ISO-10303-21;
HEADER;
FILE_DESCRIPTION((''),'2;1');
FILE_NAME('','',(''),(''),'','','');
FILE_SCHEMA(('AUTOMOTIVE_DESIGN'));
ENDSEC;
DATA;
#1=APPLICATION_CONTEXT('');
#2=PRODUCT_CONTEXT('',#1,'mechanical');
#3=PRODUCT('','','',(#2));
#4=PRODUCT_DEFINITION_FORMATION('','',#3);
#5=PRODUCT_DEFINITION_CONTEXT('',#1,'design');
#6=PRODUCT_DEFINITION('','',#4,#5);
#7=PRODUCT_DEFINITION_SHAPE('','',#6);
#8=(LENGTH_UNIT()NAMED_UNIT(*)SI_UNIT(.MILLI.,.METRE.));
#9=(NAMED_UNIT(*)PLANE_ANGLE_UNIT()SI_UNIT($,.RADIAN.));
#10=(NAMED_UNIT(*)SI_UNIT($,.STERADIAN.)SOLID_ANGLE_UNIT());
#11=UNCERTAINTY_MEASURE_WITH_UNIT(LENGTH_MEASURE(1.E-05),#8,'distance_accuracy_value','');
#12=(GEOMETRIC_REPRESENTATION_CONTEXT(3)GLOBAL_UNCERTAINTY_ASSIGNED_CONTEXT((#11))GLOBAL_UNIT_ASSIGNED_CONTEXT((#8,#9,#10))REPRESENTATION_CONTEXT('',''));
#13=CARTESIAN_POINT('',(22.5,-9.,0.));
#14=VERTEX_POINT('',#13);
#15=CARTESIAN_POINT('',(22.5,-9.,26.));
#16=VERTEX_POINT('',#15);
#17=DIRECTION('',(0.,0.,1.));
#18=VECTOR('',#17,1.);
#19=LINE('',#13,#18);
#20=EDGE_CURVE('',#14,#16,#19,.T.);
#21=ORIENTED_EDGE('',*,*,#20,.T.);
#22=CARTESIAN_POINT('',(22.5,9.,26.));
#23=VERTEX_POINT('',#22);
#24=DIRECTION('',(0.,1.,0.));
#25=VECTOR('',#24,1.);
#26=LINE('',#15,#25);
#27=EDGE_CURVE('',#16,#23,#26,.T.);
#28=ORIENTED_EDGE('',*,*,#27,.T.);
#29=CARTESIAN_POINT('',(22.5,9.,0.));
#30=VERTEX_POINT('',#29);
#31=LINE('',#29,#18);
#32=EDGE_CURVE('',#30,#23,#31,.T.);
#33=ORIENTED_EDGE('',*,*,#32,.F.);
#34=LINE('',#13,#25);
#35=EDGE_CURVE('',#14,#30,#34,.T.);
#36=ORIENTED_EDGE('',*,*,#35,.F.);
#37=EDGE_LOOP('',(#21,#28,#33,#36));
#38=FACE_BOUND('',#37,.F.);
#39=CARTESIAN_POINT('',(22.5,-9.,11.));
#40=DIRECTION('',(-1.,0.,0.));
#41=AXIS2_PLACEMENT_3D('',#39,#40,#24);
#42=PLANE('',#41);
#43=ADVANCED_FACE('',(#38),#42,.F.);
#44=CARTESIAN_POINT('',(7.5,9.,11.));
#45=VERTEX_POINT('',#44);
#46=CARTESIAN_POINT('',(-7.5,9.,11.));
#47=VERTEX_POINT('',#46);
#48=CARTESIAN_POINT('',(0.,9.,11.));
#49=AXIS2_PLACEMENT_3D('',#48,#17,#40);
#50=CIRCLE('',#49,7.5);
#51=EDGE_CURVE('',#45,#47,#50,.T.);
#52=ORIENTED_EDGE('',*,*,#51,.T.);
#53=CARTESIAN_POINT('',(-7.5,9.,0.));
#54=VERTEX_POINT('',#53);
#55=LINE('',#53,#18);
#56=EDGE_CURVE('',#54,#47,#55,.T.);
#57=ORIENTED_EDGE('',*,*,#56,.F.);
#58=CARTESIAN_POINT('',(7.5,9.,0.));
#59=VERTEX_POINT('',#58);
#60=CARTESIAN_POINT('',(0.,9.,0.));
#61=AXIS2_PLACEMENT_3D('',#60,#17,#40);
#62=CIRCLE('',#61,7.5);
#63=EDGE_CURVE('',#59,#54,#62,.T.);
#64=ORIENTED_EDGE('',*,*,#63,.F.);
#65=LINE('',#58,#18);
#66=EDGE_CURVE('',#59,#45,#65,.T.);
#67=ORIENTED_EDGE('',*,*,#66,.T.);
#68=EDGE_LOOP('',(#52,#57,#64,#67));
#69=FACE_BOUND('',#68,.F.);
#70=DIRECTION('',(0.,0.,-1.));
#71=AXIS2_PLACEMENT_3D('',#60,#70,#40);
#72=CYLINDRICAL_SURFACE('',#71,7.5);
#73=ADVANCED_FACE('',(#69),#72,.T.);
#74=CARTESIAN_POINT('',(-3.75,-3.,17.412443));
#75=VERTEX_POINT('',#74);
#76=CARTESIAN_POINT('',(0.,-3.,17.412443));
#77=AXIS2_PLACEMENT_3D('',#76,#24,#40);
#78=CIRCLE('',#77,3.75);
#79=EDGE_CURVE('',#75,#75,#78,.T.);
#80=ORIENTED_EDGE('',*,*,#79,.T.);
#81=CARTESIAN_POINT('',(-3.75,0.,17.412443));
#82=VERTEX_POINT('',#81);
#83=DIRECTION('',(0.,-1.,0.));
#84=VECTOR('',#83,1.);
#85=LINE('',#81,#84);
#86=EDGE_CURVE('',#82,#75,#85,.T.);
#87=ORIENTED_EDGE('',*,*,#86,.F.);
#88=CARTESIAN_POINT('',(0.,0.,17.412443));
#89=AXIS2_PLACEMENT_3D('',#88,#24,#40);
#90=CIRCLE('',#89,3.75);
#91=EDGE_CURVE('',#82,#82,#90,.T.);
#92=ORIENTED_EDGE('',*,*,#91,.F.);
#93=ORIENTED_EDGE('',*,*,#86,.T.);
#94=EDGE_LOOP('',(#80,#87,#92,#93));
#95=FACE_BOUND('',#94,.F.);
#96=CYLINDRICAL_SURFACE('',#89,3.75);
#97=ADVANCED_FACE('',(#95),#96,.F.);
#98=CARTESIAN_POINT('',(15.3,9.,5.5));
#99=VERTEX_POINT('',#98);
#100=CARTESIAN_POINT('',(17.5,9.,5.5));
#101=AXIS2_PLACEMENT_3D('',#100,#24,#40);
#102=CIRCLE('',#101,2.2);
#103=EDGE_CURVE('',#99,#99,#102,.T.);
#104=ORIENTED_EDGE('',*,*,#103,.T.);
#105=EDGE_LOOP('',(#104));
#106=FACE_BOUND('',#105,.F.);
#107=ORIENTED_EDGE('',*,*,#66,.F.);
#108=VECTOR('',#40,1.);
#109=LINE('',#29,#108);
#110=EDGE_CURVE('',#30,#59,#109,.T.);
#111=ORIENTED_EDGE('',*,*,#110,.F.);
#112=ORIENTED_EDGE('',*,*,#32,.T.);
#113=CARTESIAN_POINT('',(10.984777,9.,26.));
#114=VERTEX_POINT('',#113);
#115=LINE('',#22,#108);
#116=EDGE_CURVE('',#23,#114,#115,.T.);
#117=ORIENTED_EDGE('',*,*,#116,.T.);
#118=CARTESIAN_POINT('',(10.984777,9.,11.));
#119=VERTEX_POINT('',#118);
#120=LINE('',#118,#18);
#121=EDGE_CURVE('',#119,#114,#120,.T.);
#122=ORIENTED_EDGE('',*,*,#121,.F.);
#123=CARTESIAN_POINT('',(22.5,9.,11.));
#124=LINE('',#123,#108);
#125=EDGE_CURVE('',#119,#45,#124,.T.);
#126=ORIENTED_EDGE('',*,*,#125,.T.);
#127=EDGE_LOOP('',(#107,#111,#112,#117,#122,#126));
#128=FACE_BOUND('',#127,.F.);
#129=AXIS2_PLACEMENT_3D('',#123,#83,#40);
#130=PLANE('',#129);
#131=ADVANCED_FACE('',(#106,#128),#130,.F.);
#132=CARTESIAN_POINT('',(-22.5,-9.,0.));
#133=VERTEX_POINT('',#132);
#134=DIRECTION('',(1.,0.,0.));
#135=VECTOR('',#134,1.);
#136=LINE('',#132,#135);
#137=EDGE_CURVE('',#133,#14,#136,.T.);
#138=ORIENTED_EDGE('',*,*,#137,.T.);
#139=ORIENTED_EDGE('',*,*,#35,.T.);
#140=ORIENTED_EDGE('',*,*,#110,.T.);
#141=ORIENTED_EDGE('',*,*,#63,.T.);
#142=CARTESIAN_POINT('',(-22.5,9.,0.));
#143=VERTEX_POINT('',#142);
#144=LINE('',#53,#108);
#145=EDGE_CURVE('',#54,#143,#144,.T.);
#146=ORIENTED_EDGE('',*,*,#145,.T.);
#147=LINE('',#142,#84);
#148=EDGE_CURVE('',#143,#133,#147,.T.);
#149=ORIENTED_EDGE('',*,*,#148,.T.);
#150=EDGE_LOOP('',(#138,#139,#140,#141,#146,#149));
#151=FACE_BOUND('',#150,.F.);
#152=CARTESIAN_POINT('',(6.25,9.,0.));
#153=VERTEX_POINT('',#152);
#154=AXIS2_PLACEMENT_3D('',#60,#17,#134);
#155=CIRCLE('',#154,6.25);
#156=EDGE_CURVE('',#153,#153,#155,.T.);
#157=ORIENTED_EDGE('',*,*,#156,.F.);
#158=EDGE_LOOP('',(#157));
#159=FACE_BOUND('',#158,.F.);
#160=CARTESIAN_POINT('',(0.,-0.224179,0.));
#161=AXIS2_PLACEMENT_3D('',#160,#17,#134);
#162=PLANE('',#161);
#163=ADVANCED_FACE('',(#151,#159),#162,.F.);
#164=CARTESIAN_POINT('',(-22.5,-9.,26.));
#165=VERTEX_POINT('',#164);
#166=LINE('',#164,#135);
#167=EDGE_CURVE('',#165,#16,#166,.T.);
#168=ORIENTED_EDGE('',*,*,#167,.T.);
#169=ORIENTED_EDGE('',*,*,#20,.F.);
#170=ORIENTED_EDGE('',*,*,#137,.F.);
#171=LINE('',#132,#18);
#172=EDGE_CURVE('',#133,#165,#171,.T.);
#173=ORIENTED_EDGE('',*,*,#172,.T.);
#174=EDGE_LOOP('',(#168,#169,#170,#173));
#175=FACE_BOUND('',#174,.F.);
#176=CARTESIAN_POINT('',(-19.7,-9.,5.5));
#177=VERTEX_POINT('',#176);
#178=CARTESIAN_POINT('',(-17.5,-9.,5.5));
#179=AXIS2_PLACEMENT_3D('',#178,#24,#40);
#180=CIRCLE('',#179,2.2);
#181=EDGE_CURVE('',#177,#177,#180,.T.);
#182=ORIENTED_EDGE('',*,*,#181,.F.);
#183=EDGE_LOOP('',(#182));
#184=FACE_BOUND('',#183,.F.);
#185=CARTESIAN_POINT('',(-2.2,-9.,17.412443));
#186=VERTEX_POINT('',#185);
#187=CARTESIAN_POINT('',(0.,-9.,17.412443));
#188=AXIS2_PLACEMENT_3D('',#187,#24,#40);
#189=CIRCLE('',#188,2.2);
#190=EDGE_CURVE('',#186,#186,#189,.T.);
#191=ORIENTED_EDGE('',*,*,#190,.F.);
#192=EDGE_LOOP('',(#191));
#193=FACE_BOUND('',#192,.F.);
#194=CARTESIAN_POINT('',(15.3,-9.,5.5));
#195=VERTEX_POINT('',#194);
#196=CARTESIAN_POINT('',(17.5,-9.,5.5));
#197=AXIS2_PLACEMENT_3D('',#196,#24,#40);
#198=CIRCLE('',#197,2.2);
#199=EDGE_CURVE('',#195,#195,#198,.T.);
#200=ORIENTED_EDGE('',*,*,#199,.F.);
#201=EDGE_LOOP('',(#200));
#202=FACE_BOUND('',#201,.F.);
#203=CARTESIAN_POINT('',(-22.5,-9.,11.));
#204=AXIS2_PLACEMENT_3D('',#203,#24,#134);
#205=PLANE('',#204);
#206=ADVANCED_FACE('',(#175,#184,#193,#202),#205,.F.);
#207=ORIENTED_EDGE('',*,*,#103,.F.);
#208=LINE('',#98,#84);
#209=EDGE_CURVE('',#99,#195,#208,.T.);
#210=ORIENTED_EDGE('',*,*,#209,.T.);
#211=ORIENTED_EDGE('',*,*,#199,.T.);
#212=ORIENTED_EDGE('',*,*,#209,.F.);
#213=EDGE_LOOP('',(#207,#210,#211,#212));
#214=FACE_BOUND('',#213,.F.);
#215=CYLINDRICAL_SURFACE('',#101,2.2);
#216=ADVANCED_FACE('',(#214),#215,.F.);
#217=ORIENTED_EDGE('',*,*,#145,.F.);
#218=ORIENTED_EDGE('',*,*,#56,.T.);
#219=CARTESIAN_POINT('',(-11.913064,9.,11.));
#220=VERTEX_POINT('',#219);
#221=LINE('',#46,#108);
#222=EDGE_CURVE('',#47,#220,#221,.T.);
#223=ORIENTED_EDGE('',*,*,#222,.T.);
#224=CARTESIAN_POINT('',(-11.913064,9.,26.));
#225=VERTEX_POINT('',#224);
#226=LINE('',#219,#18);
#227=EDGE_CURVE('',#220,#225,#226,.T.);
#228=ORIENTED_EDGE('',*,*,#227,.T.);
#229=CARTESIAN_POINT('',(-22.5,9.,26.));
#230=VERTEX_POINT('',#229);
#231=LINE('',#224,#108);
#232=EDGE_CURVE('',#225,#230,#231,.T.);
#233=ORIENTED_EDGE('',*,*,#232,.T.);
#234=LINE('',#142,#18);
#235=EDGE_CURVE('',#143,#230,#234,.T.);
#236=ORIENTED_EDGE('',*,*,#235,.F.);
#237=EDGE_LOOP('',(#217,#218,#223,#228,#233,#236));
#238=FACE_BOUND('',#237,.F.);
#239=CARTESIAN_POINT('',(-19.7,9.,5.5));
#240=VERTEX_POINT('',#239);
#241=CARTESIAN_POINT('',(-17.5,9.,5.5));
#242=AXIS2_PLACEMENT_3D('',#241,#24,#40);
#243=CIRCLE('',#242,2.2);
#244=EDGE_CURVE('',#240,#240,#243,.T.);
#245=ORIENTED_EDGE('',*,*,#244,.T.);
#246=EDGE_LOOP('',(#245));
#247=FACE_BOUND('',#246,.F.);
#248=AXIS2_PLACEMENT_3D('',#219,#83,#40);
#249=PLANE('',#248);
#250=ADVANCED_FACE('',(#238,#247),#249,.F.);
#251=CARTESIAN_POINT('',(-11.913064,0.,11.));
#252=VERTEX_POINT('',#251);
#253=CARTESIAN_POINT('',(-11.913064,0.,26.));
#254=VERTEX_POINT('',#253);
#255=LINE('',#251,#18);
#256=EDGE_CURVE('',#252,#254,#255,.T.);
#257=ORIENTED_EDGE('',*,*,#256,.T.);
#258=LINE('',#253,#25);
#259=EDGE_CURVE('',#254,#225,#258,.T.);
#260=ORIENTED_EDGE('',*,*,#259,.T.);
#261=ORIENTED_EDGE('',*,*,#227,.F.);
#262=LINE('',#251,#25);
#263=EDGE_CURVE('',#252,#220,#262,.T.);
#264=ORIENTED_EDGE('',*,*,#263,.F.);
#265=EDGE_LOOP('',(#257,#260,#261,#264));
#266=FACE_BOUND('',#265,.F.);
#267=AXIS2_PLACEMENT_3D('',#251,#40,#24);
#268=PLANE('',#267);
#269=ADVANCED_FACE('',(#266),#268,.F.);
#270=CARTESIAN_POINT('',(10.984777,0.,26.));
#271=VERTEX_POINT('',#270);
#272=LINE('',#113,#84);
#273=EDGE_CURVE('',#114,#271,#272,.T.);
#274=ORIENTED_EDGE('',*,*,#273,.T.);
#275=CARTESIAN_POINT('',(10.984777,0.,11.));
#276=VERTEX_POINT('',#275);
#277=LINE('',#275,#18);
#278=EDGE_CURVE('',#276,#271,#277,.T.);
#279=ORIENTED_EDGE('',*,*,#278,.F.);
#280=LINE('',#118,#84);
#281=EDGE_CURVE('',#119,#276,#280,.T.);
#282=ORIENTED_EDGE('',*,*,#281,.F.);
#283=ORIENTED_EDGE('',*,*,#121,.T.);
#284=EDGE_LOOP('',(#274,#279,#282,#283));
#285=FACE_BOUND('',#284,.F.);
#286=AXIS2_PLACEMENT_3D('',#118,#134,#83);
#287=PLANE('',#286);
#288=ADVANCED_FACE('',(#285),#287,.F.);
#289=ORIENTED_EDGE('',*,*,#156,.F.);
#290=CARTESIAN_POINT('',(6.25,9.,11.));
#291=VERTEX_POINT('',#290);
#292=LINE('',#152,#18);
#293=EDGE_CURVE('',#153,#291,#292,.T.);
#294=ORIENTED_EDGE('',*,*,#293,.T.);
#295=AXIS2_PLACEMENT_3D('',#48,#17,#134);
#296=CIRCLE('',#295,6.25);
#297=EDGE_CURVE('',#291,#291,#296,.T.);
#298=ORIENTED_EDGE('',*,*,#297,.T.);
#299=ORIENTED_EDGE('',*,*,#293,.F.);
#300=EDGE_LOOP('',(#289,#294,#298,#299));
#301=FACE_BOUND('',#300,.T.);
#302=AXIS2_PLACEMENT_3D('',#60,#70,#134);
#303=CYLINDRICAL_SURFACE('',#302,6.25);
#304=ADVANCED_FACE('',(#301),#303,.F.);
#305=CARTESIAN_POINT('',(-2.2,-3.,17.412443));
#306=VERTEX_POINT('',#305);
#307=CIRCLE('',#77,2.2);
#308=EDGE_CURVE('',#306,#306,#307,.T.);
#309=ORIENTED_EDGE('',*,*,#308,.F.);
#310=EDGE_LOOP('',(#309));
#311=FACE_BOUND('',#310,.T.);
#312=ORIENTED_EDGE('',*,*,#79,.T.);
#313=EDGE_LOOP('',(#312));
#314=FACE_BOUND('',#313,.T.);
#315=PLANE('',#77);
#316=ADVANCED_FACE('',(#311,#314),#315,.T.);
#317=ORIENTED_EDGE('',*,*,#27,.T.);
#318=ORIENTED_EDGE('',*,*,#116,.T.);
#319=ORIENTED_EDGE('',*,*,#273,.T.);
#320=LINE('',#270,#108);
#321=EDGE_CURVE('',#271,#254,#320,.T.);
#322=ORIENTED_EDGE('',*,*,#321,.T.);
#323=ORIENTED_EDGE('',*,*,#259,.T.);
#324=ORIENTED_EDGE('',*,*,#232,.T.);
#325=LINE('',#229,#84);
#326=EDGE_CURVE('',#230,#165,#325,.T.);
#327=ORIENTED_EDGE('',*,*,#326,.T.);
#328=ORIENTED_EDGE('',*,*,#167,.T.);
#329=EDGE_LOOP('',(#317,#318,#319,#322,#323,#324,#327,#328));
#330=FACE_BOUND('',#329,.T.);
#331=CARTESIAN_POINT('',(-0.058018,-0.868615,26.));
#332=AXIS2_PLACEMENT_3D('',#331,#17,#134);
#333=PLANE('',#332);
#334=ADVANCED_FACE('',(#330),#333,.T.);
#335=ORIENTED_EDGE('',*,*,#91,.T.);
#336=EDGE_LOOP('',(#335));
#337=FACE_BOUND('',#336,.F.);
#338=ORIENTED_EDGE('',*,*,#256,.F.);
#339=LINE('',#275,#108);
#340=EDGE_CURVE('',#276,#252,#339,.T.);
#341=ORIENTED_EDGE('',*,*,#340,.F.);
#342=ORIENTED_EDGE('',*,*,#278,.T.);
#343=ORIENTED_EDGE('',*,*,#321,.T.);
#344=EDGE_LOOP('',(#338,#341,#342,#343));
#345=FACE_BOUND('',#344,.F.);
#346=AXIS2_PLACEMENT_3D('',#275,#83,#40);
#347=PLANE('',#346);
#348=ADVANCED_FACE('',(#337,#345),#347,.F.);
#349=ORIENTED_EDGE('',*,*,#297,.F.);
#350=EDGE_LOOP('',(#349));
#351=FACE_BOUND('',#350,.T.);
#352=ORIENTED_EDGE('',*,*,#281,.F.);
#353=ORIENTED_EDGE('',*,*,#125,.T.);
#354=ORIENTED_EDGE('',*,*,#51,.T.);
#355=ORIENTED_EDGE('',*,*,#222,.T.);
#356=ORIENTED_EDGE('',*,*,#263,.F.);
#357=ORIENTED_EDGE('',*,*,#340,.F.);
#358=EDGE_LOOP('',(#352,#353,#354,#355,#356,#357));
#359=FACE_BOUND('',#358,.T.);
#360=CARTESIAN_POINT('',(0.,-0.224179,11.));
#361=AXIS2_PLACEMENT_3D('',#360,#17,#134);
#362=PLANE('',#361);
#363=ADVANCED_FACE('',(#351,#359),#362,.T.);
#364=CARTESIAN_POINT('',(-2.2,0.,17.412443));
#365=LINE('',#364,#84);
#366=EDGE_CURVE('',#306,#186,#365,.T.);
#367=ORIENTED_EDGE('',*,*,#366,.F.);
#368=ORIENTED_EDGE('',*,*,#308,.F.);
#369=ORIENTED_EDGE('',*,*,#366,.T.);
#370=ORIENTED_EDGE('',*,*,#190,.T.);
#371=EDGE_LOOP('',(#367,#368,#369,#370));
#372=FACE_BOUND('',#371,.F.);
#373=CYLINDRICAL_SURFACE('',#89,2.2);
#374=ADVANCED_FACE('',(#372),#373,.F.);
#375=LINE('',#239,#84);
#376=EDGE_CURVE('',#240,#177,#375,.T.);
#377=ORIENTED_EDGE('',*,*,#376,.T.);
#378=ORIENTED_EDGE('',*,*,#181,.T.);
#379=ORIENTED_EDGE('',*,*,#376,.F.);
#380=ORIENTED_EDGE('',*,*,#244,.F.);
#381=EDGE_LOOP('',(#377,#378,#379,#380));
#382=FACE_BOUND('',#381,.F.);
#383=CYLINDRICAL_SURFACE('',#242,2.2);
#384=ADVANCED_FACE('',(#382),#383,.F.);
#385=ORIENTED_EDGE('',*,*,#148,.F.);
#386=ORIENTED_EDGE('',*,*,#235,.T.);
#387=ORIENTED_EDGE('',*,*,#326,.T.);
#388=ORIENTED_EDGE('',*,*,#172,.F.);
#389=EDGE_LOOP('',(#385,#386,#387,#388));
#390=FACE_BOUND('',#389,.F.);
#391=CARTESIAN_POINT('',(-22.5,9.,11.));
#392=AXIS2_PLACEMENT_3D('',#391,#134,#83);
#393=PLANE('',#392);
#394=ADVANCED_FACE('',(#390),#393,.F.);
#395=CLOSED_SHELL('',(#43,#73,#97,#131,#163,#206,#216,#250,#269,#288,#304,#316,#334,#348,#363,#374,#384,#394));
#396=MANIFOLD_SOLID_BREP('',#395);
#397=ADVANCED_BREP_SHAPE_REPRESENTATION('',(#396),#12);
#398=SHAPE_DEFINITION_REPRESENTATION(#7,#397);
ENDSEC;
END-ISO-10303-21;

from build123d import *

# Parameters (mm, degrees)
F0_R      = 6.25
F1_DEPTH  = 11
F2_R      = 2.2
F3_DEPTH  = 18.001
F5_DEPTH  = 15
F6_R      = 3.75
F6_R_2    = 2.2
F7_DEPTH  = 3
F7_FACE_R = 2.2
F8_DEPTH  = 9.001


with BuildPart() as f1:
    # F0 (on Top) → F1 (new body)
    with BuildSketch(Plane.XY):
        with BuildLine():
            Line((-7.5, 9), (-22.5, 9))
            Line((-22.5, 9), (-22.5, -9))
            Line((-22.5, -9), (22.5, -9))
            Line((22.5, -9), (22.5, 9))
            Line((22.5, 9), (7.5, 9))
            ThreePointArc((7.5, 9), (0, 1.5), (-7.5, 9))
        make_face()
        with BuildLine():
            ThreePointArc((7.5, 9), (0, 16.5), (-7.5, 9))
            ThreePointArc((-7.5, 9), (0, 1.5), (7.5, 9))
        make_face()
        with Locations((0, 9)):
            Circle(F0_R, mode=Mode.SUBTRACT)
    extrude(amount=F1_DEPTH)

    # F2 (on face) → F3 (cut, through all)
    with BuildSketch(Plane(origin=(0, 9, 0), x_dir=(-1, 0, 0), z_dir=(0, 1, 0))):
        with Locations((17.5, 5.5)):
            Circle(F2_R)
        with Locations((-17.5, 5.5)):
            Circle(F2_R)
    extrude(amount=-F3_DEPTH, mode=Mode.SUBTRACT)

    # F4 (on face) → F5 (join)
    with BuildSketch(Plane.XY.offset(11)):
        Polygon((-11.913064, 9), (-22.5, 9), (-22.5, -9), (22.5, -9), (22.5, 9), (10.984777, 9), (10.984777, 0), (-11.913064, 0), align=None)
    extrude(amount=F5_DEPTH)

    # F6 (on face) → F7 (cut)
    with BuildSketch(Plane(origin=(0, 0, 0), x_dir=(-1, 0, 0), z_dir=(0, 1, 0))):
        with Locations((0, 17.412443)):
            Circle(F6_R)
        with Locations((0, 17.412443)):
            Circle(F6_R_2, mode=Mode.SUBTRACT)
    extrude(amount=-F7_DEPTH, mode=Mode.SUBTRACT)

    # F7_face (on face) → F8 (cut, through all)
    with BuildSketch(Plane(origin=(0, 0, 17.412443), x_dir=(-1, 0, 0), z_dir=(0, 1, 0))):
        Circle(F7_FACE_R)
    extrude(amount=-F8_DEPTH, mode=Mode.SUBTRACT)


solid = f1.part
